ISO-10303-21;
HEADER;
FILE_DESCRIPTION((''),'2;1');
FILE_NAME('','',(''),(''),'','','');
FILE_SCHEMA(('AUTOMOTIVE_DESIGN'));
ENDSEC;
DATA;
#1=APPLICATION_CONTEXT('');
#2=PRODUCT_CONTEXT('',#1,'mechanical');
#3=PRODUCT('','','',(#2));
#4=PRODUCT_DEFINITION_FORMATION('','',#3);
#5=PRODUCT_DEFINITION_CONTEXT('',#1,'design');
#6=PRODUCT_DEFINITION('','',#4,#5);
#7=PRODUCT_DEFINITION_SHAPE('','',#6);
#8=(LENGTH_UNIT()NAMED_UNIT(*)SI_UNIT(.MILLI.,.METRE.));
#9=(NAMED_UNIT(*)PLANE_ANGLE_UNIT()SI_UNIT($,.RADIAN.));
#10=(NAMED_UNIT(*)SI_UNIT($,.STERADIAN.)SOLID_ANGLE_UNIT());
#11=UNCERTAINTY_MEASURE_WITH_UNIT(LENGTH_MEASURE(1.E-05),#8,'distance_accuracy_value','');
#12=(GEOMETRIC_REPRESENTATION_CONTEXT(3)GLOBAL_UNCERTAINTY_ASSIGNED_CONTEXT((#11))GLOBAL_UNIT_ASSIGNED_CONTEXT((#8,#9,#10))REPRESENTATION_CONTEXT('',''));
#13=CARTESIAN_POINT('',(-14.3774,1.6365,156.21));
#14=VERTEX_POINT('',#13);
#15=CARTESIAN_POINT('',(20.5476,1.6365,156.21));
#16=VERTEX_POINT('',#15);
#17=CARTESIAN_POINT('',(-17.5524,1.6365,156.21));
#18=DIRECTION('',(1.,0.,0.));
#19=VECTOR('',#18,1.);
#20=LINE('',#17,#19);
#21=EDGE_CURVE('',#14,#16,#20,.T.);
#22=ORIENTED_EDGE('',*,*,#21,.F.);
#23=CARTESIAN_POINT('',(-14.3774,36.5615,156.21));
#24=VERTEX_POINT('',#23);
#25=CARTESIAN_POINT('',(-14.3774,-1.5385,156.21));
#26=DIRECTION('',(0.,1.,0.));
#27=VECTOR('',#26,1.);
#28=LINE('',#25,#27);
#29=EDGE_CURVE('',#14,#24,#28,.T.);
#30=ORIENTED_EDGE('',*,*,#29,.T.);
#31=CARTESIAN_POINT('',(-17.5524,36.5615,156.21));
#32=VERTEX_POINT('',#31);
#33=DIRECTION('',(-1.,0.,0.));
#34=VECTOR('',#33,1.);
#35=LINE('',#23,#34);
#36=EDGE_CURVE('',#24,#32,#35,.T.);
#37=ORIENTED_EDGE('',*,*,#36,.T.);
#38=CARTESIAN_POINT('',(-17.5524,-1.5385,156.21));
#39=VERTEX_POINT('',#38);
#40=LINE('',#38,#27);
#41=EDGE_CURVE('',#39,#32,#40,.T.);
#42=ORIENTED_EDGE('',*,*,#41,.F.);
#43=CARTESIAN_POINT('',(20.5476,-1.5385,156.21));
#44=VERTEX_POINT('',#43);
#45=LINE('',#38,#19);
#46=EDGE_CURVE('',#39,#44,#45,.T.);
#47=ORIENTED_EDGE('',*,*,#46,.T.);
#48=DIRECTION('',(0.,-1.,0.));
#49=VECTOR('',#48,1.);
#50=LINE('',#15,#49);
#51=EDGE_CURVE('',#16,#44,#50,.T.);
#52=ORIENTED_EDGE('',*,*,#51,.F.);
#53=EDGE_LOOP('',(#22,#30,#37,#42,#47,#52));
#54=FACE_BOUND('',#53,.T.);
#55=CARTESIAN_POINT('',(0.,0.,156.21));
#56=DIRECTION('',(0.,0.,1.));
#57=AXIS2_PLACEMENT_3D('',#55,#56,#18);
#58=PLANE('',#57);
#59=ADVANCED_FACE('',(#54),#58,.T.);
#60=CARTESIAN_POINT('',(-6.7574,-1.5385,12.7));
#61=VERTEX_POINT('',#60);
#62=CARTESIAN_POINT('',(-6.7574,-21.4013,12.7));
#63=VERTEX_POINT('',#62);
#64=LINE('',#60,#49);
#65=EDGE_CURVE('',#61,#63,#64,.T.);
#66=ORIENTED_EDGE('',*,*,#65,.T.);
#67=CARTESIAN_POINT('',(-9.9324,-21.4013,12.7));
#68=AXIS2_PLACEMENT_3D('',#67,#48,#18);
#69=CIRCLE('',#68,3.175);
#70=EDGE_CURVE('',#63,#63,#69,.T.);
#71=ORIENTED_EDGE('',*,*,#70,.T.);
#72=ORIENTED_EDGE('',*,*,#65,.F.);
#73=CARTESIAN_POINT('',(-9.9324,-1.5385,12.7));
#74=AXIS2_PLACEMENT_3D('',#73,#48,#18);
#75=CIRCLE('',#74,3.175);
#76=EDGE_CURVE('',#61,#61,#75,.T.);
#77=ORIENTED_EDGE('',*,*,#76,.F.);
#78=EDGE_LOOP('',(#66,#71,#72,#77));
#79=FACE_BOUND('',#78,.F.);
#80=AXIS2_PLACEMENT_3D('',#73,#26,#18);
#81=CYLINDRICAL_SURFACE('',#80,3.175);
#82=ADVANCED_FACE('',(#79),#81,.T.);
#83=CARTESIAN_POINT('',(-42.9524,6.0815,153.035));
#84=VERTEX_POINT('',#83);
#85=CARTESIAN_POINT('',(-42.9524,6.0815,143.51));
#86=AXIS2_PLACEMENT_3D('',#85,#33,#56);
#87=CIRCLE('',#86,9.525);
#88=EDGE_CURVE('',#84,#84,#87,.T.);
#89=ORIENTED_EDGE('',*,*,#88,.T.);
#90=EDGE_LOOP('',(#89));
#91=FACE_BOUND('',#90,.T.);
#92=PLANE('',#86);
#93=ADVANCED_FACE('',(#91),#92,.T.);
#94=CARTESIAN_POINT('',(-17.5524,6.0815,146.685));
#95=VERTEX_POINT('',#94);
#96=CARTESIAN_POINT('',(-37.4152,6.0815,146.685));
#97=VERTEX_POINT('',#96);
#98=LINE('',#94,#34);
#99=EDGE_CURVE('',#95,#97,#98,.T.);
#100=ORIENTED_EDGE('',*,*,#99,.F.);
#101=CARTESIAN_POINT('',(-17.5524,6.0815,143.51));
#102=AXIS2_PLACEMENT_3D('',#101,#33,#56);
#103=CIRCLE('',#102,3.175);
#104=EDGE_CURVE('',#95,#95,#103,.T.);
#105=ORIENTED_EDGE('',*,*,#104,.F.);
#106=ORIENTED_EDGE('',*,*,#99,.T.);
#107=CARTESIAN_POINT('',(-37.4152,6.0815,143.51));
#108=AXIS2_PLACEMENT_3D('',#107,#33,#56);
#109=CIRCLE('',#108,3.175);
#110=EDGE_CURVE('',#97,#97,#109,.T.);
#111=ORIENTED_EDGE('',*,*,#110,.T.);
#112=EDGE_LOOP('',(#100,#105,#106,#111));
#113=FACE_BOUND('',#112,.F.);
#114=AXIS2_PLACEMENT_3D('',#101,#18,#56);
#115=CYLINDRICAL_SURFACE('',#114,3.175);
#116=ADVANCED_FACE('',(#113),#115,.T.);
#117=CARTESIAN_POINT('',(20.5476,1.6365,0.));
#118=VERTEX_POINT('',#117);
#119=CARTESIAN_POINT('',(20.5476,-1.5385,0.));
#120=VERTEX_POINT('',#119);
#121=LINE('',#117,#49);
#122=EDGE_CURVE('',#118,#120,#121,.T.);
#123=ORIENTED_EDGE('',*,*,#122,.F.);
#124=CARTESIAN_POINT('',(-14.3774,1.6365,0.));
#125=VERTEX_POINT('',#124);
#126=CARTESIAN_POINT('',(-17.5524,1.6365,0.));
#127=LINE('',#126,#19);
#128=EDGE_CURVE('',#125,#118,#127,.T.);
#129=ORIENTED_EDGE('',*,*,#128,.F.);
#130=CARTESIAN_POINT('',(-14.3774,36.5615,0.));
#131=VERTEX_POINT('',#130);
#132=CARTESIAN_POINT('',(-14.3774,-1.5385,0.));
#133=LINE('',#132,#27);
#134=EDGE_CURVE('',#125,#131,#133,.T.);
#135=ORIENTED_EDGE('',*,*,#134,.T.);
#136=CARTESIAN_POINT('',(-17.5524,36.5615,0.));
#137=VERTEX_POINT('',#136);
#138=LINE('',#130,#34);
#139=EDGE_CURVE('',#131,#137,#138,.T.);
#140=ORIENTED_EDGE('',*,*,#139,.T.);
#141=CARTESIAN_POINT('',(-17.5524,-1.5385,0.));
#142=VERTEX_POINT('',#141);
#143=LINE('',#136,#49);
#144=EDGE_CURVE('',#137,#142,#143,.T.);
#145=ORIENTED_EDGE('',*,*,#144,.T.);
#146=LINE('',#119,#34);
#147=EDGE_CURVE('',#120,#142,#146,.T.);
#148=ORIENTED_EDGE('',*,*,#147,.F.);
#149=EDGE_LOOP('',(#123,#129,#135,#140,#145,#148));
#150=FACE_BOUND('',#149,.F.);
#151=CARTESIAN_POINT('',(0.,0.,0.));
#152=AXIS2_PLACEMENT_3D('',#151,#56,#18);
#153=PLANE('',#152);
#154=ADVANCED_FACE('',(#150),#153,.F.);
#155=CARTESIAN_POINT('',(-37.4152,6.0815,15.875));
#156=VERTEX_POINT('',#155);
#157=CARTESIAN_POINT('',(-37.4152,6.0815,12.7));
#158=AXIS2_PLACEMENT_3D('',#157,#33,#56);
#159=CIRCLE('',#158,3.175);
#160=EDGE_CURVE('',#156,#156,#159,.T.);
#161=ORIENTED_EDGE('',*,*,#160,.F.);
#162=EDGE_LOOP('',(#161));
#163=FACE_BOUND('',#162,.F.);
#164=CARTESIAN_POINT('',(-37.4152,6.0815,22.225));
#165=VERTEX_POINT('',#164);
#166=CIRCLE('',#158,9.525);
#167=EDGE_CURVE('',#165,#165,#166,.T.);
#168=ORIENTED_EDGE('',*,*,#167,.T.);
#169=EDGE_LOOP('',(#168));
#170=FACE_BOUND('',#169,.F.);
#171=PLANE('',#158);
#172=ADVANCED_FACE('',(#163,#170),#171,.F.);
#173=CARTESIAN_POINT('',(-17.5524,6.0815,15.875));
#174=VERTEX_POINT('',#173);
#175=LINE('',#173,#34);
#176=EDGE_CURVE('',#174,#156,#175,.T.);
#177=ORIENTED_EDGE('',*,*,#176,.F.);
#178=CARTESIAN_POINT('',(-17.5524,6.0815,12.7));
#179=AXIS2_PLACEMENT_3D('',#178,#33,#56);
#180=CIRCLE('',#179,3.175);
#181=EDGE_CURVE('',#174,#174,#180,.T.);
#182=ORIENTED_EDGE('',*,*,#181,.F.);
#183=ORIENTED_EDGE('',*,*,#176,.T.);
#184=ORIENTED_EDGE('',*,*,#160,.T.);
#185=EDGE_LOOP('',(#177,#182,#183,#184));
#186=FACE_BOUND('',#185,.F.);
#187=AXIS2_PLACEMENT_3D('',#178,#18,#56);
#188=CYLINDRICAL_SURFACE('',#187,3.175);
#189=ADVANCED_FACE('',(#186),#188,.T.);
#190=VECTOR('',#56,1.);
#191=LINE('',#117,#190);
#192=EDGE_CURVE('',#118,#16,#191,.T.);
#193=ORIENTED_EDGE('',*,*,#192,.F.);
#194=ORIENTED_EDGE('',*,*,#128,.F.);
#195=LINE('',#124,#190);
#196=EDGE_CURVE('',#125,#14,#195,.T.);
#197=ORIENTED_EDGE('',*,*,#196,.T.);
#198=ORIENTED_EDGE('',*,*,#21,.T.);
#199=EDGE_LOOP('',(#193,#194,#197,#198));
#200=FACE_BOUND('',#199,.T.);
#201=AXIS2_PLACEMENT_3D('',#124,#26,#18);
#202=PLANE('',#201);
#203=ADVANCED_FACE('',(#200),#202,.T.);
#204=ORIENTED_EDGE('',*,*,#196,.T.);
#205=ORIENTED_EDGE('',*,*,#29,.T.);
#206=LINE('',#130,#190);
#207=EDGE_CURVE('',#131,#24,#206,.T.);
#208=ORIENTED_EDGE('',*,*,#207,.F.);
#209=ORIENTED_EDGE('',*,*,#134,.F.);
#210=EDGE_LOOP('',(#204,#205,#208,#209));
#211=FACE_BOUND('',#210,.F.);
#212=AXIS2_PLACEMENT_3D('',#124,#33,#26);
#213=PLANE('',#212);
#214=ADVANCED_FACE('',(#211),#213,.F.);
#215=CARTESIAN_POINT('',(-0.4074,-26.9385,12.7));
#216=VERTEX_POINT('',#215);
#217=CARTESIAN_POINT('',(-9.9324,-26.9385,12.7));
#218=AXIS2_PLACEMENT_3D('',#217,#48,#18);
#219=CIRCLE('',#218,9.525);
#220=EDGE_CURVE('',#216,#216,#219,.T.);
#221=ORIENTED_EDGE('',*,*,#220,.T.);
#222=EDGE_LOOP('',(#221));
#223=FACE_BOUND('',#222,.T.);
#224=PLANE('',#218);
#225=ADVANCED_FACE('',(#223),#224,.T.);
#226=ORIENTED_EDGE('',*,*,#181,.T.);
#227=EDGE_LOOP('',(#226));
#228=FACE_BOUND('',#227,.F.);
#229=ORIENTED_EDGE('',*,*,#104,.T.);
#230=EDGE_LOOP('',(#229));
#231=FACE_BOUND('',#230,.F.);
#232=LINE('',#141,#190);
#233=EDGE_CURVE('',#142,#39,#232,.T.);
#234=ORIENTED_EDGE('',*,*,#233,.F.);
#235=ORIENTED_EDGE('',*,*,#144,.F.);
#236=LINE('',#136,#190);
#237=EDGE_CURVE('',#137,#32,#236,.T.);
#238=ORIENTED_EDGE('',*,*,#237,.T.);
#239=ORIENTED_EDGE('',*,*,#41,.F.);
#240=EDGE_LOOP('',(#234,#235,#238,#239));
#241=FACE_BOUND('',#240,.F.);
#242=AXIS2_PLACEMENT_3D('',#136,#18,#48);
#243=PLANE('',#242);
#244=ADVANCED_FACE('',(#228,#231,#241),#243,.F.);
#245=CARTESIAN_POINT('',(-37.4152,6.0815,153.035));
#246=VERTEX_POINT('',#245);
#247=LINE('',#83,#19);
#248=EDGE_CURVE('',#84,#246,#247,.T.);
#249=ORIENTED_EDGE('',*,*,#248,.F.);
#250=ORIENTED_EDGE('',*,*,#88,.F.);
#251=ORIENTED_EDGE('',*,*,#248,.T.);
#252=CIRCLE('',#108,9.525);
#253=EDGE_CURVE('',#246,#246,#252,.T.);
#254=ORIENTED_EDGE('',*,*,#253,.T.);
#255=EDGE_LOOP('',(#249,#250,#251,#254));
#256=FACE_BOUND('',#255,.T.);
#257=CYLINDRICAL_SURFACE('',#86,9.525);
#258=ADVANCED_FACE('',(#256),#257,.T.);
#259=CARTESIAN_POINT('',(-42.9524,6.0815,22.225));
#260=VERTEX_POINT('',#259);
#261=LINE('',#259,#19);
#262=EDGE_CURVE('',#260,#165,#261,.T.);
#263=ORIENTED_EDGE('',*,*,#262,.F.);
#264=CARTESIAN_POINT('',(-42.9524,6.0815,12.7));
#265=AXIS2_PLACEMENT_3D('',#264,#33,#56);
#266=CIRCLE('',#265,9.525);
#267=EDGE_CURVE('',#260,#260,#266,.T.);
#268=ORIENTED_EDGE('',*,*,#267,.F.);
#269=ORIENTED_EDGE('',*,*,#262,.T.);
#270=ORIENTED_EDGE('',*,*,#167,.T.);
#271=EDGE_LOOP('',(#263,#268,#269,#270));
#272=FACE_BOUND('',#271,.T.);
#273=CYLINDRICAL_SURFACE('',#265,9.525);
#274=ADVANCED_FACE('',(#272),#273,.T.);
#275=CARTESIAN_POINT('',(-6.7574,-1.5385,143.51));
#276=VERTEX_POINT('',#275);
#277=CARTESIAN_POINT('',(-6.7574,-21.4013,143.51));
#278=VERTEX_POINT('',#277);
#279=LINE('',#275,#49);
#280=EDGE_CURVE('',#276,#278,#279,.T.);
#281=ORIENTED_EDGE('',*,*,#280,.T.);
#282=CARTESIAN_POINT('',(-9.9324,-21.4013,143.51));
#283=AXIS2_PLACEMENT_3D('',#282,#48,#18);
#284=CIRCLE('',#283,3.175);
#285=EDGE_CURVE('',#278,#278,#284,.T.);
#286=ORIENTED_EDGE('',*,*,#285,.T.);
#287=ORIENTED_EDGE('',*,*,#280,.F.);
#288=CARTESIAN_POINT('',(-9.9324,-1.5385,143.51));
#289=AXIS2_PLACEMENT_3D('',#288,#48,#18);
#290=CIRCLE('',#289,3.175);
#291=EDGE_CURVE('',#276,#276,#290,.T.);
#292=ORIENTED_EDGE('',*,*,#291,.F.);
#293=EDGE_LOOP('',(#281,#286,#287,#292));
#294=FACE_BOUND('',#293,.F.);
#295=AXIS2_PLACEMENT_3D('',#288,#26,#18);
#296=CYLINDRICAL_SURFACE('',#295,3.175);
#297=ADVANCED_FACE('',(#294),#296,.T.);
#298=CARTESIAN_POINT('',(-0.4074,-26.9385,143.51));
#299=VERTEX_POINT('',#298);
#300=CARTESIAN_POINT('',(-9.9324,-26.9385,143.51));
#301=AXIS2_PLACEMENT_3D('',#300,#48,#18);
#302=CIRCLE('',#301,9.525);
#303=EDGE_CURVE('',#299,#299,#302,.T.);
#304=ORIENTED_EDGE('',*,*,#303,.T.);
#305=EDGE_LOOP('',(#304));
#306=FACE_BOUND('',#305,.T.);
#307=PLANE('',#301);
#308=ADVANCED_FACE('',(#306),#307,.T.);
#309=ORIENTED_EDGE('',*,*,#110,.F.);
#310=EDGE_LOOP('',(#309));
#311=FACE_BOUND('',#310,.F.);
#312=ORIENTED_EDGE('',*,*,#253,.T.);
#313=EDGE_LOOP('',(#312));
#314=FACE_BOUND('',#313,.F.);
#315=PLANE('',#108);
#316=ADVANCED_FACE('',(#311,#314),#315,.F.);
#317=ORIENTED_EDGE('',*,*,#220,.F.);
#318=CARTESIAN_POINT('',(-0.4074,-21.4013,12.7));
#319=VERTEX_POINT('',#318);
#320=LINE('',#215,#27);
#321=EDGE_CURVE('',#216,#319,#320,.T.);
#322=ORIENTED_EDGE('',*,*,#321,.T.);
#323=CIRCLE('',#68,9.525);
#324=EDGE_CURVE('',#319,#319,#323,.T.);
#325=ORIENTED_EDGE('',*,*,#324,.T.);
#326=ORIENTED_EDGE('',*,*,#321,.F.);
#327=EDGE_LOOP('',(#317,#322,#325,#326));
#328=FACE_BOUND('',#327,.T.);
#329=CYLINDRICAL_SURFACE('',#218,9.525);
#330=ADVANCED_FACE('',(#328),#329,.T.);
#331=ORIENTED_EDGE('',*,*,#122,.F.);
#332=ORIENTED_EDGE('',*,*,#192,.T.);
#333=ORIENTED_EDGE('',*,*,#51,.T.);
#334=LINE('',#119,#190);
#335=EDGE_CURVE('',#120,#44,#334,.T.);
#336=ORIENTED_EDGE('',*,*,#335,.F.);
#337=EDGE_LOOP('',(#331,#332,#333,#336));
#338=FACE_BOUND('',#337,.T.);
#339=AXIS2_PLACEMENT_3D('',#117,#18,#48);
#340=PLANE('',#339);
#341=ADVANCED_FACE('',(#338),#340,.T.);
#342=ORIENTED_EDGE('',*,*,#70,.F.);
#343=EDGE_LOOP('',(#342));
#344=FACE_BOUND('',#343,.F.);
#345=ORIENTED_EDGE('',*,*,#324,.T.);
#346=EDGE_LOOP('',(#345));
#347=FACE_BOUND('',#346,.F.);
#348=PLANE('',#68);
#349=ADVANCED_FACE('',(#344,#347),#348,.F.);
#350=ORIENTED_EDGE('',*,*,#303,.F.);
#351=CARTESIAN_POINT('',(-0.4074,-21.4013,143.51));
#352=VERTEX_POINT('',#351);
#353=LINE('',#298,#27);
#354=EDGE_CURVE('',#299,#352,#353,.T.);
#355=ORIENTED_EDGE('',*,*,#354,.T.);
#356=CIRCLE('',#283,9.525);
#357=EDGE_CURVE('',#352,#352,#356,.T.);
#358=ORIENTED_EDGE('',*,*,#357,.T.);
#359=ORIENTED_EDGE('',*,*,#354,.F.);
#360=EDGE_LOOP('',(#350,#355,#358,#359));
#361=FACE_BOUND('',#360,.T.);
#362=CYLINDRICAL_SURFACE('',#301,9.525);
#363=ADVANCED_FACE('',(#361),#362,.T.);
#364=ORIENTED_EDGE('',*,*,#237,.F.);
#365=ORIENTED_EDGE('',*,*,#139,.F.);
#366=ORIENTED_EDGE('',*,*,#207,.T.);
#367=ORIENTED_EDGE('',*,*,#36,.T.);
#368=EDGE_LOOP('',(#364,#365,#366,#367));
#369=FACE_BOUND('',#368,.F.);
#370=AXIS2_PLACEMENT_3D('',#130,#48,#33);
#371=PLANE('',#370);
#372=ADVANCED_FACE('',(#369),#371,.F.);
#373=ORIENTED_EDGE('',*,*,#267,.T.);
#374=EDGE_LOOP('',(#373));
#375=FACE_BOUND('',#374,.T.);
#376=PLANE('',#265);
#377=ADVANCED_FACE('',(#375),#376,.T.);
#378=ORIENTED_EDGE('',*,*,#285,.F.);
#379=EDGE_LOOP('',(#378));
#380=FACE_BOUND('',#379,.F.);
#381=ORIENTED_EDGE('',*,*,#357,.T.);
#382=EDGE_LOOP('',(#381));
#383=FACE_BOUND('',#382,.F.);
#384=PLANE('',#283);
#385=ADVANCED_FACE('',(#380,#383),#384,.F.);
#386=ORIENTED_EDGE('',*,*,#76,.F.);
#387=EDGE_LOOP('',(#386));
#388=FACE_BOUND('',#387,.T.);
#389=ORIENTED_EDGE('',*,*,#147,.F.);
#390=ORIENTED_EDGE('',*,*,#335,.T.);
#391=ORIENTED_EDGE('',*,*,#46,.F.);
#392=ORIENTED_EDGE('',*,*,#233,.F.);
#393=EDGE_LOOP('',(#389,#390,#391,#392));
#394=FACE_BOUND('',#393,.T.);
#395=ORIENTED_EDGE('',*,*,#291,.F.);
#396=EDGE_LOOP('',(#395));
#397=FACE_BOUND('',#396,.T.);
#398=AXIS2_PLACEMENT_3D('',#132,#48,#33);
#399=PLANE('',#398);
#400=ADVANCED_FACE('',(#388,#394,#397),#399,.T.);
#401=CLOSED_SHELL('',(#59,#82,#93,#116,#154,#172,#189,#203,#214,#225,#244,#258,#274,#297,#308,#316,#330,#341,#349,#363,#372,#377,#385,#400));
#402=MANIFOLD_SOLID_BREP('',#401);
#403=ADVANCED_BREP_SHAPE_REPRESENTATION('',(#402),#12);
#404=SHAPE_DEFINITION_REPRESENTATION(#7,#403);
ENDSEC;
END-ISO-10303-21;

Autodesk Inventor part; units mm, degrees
ref_plane "YZ Plane" through (0, 0, 0) normal (1, 0, 0) x (0, 1, 0)
ref_plane "XZ Plane" through (0, 0, 0) normal (0, 1, 0) x (-1, 0, 0)
ref_plane "XY Plane" through (0, 0, 0) normal (0, 0, 1) x (1, 0, 0)
sketch "Sketch1" plane through (0, 0, 0) normal (0, 0, 1) x (1, 0, 0)
  line L0 (-17.5524, 1.6365) -> (20.5476, 1.6365)
  line L1 (20.5476, 1.6365) -> (20.5476, -1.5385)
  line L2 (20.5476, -1.5385) -> (-17.5524, -1.5385)
  line L3 (-17.5524, -1.5385) -> (-17.5524, 1.6365)
  line L4 (-17.5524, -1.5385) -> (-14.3774, -1.5385)
  line L5 (-14.3774, -1.5385) -> (-14.3774, 36.5615)
  line L6 (-14.3774, 36.5615) -> (-17.5524, 36.5615)
  line L7 (-17.5524, 36.5615) -> (-17.5524, -1.5385)
  point P0 (0, 0)
  dimension "d0" = 38.1
  dimension "d1" = 38.1
  dimension "d2" = 3.175
  dimension "d3" = 3.175
extrude "Extrusion1" add sketch "Sketch1" along normal blind 156.21
sketch "Sketch2" plane through (-17.5524, -1.5385, 0) normal (-1, 0, 0) x (0, 0, 1)
  line L0 (156.21, 0) -> (156.21, 38.1) projected
  line L1 (0, 38.1) -> (0, 0) projected
  line L2 (0, 0) -> (156.21, 0) projected
  circle A0 centre (12.7, 7.62) radius 3.175
  circle A1 centre (143.51, 7.62) radius 3.175
  point P0 (0, 1.5385)
  dimension "d6" = 6.35
  dimension "d7" = 6.35
  dimension "d8" = 12.7
  dimension "d9" = 12.7
  dimension "d10" = 7.62
  dimension "d11" = 7.62
extrude "Extrusion2" add sketch "Sketch2" along normal blind 25.4
sketch "Sketch3" plane through (-17.5524, -1.5385, 0) normal (0, -1, 0) x (1, 0, 0)
  line L0 (38.1, 156.21) -> (0, 156.21) projected
  line L1 (0, 0) -> (0, 156.21) projected
  line L2 (0, 0) -> (38.1, 0) projected
  circle A0 centre (7.62, 143.51) radius 3.175
  circle A1 centre (7.62, 12.7) radius 3.175
  point P0 (17.5524, 0)
  dimension "d14" = 12.7
  dimension "d15" = 12.7
  dimension "d16" = 7.62
  dimension "d17" = 7.62
  dimension "d18" = 6.35
  dimension "d19" = 6.35
extrude "Extrusion3" add sketch "Sketch3" along normal blind 25.4
sketch "Sketch4" plane through (-42.9524, 6.0815, 143.51) normal (-1, 0, 0) x (0, 0, 1)
  circle A0 centre (0, 0) radius 3.175 projected
  circle A1 centre (0, 0) radius 9.525
  point P0 (-143.51, -6.0815)
  dimension "d22" = 19.05
extrude "Extrusion4" add sketch "Sketch4" against normal blind 5.5372
sketch "Sketch5" plane through (-42.9524, 6.0815, 12.7) normal (-1, 0, 0) x (0, 0, 1)
  circle A0 centre (0, 0) radius 3.175 projected
  circle A1 centre (0, 0) radius 9.525
  point P0 (-12.7, -6.0815)
  dimension "d25" = 19.05
extrude "Extrusion5" add sketch "Sketch5" against normal blind 5.5372
sketch "Sketch6" plane through (-9.9324, -26.9385, 143.51) normal (0, -1, 0) x (1, 0, 0)
  circle A0 centre (0, 0) radius 3.175 projected
  circle A1 centre (0, 0) radius 9.525
  point P0 (9.9324, -143.51)
  dimension "d28" = 19.05
extrude "Extrusion6" add sketch "Sketch6" against normal blind 5.5372
sketch "Sketch7" plane through (-9.9324, -26.9385, 12.7) normal (0, -1, 0) x (1, 0, 0)
  circle A0 centre (0, 0) radius 3.175 projected
  circle A1 centre (0, 0) radius 9.525
  point P0 (9.9324, -12.7)
  dimension "d31" = 19.05
extrude "Extrusion7" add sketch "Sketch7" against normal blind 5.5372
ref_plane "Work Plane1" through (-17.5524, -1.5385, 0) normal (0.7071, 0.7071, 0) x (0, 0, 1)
sketch "Sketch8" plane through (-17.5524, -1.5385, 0) normal (0.7071, 0.7071, 0) x (0, 0, 1)
  line L0 (156.21, 0) -> (156.21, -26.9408) projected
  line L1 (0, -26.9408) -> (0, 0) projected
  line L2 (0, -26.9408) -> (156.21, -26.9408) projected
  point P0 (0, 11.3236)
  point P1 (38.1, -0.0168)
  point P2 (118.11, -0.0168)
  dimension "d35" = 38.1
  dimension "d36" = 38.1
  dimension "d37" = 26.924
  dimension "d38" = 26.924
equation "\"d7\" = d6"
properties part number "x-bearing assy"
